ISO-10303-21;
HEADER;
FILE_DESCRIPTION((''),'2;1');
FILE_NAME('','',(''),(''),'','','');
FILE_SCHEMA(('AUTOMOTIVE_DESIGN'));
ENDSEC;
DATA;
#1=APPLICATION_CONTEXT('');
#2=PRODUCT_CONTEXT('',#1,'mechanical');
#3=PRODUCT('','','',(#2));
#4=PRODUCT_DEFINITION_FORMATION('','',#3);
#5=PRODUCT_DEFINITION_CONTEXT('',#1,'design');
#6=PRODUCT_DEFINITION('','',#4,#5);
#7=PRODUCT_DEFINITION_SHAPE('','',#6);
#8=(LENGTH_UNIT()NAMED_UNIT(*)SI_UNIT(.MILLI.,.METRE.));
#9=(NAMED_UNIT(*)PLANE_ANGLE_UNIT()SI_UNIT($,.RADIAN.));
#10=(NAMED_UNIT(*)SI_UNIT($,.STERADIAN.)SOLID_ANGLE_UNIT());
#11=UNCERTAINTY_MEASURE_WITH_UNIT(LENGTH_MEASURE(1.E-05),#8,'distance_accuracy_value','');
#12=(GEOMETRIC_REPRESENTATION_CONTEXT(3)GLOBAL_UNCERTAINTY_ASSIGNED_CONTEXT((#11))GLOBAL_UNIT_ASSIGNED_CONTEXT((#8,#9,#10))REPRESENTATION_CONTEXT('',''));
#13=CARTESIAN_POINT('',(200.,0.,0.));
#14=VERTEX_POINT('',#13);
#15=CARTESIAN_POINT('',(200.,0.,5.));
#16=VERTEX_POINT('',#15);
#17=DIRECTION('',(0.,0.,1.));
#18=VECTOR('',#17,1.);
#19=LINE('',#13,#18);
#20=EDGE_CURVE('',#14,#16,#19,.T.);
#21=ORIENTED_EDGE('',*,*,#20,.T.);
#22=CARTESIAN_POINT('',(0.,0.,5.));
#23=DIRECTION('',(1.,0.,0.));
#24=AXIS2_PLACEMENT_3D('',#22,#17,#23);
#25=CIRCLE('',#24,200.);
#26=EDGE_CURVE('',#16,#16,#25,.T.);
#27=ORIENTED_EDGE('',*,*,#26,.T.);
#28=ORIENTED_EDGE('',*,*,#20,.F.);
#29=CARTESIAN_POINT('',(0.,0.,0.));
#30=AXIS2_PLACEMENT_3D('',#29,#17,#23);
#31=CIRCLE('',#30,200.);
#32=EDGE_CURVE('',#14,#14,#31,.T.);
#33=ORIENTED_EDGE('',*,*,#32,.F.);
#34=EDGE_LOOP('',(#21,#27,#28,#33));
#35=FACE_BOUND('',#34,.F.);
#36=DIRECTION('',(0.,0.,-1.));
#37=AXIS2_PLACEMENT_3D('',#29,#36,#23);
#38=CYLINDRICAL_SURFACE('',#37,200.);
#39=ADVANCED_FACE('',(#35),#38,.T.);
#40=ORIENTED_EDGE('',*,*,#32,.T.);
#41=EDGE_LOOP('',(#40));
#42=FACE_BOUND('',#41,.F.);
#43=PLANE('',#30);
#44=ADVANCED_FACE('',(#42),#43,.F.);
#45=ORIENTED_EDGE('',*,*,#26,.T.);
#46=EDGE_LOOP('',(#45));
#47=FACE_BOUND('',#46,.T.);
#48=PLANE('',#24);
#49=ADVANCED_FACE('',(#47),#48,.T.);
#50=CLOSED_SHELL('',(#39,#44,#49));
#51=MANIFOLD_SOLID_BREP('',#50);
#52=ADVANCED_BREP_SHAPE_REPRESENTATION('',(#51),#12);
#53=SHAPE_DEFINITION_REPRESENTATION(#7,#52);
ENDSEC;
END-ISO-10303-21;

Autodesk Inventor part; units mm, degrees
ref_plane "YZ Plane" through (0, 0, 0) normal (1, 0, 0) x (0, 1, 0)
ref_plane "XZ Plane" through (0, 0, 0) normal (0, 1, 0) x (-1, 0, 0)
ref_plane "XY Plane" through (0, 0, 0) normal (0, 0, 1) x (1, 0, 0)
sketch "Skizze1" plane through (0, 0, 0) normal (0, 0, 1) x (1, 0, 0)
  circle A0 centre (0, 0) radius 200
  dimension "d0" = 400
extrude "Extrusion1" add sketch "Skizze1" along normal blind 5
sketch "Skizze2" plane through (0, 0, 5) normal (0, 0, 1) x (1, 0, 0)
  circle A0 centre (0, 0) radius 200 projected
  line L0 (-280, 0) -> (280, 0) projected
  line L1 (0, -280) -> (0, 280) projected
  point P0 (0, 75)
  point P1 (-75, 0)
  point P2 (0, -75)
  point P3 (75, 0)
  dimension "d3" = 75
  dimension "d6" = 360
properties part number "Drehteller" material "Holz (Eiche)"
